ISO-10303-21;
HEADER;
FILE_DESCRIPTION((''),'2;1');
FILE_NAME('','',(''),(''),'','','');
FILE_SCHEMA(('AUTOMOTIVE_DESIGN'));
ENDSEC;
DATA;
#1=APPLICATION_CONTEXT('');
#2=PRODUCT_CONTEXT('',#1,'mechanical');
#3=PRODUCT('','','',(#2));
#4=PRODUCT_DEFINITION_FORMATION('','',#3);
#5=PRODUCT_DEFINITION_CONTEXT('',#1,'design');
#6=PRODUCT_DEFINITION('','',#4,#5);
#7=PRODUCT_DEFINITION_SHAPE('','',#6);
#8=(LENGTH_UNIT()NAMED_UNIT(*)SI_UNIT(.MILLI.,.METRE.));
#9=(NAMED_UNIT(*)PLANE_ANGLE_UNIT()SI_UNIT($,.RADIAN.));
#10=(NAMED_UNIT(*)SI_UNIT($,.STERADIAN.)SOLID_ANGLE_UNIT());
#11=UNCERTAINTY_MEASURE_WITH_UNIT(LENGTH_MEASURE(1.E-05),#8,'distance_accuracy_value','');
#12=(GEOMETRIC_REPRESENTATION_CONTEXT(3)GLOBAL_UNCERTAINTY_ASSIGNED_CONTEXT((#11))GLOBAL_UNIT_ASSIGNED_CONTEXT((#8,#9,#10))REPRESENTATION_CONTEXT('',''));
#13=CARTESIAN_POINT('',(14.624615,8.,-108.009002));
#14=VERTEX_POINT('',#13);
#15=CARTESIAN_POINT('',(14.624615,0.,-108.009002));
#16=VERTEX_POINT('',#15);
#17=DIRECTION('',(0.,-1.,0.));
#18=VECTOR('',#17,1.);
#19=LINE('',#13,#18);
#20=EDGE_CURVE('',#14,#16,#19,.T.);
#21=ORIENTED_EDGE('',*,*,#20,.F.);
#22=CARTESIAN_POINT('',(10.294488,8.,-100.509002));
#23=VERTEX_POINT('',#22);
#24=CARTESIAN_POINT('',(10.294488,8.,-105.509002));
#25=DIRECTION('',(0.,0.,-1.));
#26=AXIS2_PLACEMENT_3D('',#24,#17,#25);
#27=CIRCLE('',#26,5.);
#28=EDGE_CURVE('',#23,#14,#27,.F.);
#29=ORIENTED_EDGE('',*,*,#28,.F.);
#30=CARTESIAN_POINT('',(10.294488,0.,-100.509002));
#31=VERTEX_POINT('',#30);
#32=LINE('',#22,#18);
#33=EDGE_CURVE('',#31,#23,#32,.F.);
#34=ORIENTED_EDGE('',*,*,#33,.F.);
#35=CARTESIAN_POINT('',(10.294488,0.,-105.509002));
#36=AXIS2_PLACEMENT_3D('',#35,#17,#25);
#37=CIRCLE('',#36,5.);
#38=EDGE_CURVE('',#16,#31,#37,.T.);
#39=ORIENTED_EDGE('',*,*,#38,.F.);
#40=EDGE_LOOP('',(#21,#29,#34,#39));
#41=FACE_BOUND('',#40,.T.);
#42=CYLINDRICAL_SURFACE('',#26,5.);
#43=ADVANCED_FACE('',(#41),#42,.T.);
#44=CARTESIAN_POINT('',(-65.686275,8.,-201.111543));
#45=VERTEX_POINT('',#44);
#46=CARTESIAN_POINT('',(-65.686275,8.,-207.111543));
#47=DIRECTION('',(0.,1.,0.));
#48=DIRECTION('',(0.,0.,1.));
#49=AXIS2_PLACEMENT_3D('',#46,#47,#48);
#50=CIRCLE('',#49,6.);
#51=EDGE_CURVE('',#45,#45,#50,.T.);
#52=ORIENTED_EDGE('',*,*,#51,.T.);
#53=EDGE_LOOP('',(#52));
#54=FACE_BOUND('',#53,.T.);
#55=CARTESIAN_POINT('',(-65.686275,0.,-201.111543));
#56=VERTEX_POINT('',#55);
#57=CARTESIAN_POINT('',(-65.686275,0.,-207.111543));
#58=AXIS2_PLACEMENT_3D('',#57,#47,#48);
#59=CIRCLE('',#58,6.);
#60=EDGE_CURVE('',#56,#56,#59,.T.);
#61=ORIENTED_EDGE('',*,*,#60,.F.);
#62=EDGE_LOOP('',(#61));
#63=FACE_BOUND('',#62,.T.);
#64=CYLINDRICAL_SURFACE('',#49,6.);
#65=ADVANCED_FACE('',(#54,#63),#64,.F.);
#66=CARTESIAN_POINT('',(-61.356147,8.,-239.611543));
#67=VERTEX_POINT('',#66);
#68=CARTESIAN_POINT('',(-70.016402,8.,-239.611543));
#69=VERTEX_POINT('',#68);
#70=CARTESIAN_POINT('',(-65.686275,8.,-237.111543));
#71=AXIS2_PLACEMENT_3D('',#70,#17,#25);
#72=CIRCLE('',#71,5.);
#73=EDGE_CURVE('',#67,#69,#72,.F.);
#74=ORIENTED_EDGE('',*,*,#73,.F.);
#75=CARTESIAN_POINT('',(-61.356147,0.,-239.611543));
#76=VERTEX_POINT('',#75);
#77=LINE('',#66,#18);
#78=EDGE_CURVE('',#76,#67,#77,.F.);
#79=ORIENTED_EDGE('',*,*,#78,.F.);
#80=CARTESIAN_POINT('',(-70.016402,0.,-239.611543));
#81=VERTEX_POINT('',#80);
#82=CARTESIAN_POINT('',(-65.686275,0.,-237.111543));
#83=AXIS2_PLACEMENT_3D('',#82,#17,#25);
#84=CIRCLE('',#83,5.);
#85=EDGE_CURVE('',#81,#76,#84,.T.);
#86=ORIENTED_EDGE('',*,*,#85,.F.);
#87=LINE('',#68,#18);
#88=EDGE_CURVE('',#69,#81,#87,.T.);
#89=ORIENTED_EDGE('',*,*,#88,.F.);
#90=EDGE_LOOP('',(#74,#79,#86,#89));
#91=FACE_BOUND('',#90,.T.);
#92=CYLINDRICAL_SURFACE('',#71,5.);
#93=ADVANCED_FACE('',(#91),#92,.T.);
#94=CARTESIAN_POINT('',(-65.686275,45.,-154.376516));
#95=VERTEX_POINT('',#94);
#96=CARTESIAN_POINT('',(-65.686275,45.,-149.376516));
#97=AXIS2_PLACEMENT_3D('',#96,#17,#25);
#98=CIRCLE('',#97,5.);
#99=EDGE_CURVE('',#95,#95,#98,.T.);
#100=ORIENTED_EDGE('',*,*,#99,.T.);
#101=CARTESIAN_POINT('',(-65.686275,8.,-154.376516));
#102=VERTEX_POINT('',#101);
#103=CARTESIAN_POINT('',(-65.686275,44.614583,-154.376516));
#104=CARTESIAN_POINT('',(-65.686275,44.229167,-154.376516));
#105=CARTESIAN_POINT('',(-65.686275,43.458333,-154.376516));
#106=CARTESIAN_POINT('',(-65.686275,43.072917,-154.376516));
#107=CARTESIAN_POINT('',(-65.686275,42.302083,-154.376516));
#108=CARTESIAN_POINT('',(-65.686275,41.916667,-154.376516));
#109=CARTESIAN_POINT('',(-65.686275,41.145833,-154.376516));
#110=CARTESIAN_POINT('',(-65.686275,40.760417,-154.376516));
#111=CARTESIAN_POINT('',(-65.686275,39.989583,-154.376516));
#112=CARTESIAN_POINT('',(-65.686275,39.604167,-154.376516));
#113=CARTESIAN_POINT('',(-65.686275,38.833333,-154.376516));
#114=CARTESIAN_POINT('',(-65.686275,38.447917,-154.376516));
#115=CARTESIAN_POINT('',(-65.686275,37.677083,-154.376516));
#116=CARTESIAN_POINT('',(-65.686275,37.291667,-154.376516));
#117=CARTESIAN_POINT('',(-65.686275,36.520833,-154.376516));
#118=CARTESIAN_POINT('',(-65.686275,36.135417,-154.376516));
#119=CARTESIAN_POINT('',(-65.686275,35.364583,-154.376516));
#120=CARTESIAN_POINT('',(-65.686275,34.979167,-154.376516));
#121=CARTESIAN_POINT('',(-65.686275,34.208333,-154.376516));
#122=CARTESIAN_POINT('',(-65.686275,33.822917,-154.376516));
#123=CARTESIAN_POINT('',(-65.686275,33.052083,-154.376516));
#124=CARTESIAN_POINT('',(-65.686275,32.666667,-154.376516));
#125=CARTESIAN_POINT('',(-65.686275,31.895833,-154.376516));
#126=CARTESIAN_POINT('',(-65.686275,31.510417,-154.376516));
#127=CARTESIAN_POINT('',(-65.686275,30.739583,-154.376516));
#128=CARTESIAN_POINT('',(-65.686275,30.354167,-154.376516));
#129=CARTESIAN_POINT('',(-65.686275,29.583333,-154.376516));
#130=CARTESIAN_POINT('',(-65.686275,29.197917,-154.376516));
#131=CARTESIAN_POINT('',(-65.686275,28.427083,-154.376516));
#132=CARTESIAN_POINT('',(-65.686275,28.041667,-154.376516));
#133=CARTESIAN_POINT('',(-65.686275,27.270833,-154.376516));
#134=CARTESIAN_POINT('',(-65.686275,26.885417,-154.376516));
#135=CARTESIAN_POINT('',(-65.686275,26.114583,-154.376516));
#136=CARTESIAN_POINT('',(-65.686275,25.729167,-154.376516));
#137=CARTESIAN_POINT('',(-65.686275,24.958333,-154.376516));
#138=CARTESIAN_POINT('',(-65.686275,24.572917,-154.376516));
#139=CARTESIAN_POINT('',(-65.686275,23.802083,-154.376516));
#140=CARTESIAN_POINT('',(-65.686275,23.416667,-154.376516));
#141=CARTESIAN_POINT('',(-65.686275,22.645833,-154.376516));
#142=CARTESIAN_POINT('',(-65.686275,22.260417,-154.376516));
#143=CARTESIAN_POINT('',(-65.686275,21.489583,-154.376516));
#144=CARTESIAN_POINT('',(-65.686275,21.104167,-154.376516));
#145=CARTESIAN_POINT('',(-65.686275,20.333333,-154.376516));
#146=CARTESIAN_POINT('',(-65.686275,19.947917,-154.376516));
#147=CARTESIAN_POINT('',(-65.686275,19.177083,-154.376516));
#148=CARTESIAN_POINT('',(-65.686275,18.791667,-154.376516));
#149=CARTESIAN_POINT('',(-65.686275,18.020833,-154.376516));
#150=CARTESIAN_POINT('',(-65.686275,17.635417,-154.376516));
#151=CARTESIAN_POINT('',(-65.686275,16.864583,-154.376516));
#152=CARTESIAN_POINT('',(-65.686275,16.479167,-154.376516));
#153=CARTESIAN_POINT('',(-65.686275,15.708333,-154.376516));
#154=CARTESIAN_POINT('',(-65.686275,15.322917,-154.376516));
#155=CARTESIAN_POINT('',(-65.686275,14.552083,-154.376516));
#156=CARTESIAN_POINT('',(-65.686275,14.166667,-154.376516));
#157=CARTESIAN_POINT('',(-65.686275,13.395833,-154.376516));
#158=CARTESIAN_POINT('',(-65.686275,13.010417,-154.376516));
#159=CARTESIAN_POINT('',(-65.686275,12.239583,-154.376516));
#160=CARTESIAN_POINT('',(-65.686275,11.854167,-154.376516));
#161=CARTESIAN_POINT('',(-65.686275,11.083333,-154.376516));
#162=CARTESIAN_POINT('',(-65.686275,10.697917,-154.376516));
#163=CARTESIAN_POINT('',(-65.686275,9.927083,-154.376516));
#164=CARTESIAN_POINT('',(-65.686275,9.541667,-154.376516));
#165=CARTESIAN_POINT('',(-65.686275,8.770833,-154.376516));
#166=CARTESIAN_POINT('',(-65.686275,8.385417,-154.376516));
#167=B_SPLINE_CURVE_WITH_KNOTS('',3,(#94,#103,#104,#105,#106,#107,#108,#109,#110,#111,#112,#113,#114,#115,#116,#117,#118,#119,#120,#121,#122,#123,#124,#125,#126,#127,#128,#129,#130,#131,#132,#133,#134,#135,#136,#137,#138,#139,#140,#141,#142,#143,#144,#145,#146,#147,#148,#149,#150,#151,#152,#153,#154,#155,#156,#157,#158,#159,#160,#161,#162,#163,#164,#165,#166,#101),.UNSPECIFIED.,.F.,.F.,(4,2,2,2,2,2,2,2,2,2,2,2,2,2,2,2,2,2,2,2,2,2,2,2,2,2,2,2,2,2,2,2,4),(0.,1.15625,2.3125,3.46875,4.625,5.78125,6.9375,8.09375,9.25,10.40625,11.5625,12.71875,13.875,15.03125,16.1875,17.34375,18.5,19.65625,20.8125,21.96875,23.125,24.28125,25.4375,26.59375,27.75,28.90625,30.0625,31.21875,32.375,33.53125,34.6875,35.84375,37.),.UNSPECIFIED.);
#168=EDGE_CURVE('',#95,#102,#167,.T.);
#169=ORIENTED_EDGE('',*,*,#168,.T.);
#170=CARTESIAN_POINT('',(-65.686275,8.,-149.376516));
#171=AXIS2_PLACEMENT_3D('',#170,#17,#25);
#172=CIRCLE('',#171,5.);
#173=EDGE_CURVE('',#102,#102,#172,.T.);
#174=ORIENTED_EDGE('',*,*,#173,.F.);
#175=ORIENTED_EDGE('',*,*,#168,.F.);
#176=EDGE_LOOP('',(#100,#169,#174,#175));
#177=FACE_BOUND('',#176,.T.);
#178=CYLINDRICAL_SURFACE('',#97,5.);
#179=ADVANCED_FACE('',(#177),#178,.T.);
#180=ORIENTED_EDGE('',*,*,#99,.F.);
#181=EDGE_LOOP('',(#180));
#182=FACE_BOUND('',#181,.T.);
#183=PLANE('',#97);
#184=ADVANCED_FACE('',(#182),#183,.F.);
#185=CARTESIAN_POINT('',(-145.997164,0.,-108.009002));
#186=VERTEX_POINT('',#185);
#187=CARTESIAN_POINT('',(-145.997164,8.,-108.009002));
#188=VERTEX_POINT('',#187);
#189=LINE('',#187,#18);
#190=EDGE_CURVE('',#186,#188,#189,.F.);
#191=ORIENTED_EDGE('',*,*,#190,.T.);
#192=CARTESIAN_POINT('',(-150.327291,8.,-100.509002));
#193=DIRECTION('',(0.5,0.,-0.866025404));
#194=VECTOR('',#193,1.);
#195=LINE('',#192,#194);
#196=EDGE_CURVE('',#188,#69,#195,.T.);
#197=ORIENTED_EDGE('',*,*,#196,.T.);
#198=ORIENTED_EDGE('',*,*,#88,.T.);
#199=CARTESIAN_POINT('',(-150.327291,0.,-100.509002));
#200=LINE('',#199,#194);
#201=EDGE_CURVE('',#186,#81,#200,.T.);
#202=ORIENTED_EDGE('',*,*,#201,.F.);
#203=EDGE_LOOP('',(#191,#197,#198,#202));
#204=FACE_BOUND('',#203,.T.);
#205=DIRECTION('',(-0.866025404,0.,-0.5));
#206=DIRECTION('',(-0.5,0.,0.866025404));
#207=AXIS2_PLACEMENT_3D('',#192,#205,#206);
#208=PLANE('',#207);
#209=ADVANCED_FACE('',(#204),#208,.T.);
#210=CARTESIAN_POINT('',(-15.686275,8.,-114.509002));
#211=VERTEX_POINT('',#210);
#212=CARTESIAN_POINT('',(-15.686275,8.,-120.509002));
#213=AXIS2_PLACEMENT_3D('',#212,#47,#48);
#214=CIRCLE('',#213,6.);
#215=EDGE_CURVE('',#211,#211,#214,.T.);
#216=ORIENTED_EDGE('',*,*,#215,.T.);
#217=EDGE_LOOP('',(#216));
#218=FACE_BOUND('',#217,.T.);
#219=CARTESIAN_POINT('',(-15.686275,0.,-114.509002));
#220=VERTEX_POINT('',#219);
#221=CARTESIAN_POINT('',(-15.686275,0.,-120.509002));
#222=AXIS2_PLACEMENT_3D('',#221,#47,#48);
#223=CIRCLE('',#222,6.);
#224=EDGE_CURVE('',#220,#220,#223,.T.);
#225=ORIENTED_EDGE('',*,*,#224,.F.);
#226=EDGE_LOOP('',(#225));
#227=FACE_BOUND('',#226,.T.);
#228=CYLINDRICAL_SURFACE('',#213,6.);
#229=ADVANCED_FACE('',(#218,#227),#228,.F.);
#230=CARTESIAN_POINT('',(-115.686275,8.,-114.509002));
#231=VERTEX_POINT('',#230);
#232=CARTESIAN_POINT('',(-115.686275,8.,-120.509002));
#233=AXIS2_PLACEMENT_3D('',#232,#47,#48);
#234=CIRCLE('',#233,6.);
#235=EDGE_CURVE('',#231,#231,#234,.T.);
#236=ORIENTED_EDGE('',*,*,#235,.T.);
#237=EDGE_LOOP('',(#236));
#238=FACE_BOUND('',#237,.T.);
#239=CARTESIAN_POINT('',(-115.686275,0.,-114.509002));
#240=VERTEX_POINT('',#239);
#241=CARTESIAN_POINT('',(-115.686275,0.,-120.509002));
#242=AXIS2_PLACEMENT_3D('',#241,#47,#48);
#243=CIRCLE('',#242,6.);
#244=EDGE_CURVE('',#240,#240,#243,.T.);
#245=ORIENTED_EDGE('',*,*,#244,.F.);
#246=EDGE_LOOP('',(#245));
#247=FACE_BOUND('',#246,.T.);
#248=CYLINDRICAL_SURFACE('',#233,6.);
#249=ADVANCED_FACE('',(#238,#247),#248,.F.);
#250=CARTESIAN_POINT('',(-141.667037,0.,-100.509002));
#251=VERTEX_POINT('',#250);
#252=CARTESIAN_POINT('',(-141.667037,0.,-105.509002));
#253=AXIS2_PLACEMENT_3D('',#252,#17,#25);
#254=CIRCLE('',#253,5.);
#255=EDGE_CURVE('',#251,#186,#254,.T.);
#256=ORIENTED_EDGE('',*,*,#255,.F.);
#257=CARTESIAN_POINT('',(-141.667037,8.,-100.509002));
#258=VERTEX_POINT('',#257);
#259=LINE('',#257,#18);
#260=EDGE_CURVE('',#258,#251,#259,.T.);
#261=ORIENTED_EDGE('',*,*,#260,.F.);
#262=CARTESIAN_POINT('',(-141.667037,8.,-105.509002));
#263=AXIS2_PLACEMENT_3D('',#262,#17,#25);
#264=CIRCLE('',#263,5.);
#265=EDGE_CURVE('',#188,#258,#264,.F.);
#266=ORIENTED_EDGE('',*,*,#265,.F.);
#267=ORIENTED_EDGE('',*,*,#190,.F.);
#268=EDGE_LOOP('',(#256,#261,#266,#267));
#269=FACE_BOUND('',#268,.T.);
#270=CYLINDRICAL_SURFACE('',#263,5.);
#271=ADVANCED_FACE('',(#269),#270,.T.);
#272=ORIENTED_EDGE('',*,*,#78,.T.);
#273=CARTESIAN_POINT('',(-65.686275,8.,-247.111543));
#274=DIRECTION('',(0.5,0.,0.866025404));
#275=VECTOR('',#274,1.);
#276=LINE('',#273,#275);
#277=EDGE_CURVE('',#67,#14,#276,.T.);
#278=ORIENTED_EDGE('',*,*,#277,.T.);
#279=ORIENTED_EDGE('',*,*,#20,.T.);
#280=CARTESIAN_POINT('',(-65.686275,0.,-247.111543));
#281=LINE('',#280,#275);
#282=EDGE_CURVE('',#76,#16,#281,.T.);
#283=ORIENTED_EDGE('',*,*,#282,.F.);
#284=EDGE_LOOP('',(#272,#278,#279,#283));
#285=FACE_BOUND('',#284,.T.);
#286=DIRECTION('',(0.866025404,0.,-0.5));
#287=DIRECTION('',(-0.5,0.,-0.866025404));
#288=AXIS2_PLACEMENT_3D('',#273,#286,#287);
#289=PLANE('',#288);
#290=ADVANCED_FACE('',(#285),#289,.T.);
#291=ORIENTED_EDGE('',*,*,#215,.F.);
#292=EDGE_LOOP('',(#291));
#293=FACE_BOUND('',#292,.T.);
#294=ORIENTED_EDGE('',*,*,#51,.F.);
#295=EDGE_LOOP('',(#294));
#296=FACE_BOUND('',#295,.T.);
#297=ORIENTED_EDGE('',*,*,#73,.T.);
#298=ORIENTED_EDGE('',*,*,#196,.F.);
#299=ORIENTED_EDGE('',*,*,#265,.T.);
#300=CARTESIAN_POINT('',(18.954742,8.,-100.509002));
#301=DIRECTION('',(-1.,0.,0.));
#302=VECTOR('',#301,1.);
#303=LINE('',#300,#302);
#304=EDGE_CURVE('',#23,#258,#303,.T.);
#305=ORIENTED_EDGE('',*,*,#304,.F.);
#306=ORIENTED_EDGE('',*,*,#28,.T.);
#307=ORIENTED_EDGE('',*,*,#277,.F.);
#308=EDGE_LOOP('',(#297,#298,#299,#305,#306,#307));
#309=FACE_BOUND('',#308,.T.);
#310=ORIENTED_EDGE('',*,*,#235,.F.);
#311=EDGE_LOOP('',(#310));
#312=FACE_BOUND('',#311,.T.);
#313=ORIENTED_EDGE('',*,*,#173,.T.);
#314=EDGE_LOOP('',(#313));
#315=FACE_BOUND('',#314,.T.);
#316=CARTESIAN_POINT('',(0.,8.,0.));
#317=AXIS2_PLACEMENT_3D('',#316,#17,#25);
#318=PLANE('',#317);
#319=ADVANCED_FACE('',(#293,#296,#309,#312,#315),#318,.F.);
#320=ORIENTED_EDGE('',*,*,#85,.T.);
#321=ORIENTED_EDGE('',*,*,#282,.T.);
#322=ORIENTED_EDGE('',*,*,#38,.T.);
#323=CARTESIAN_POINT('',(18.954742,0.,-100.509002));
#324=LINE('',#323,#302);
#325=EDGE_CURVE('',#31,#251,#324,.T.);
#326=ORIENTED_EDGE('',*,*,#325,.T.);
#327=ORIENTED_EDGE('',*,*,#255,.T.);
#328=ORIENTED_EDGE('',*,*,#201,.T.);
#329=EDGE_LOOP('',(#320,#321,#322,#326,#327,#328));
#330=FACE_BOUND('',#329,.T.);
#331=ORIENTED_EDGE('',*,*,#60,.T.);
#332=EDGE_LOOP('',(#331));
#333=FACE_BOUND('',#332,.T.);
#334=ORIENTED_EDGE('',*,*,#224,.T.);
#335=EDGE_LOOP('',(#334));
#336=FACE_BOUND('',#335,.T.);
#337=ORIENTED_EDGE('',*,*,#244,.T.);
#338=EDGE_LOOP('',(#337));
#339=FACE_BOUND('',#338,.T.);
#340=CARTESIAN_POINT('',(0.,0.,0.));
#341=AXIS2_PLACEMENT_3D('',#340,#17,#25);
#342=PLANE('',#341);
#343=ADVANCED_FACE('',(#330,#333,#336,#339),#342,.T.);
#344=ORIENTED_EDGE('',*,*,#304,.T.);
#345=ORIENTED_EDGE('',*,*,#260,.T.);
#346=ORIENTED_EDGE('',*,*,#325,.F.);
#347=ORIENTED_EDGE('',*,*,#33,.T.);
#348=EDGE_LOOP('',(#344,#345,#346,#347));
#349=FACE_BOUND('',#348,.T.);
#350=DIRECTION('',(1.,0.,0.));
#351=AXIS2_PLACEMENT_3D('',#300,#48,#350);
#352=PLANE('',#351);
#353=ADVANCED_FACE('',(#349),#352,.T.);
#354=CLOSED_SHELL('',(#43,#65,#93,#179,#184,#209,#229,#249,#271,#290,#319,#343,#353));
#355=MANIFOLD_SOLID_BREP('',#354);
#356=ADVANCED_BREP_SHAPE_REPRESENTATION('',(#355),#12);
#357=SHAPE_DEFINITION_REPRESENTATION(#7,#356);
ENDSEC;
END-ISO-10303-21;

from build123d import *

# Parameters (mm, degrees)
BOSS_EXTRUDE1_DEPTH        = 8
F_12_0_12_DIAMETER_HOLE1_D = 12
SKETCH8_R                  = 5
BOSS_EXTRUDE2_DEPTH        = 45
FILLET1_R                  = 5


with BuildPart() as part:
    # Sketch1 → Boss-Extrude1 (new body)
    with BuildSketch(Plane(origin=(0, 0, 0), x_dir=(1, 0, 0), z_dir=(0, 1, 0))):
        Polygon((-65.68627451, 247.111542704), (18.954741642, 100.509002326), (-150.327290661, 100.509002326), align=None)
    extrude(amount=BOSS_EXTRUDE1_DEPTH)

    # Ø12.0 (12) Diameter Hole1 (through all)
    with Locations(Plane(origin=(0, 8, 0), x_dir=(1, 0, 0), z_dir=(0, 1, 0))):
        with Locations((-65.68627451, 207.111542704), (-115.68627451, 120.509002326), (-15.68627451, 120.509002326)):
            Hole(F_12_0_12_DIAMETER_HOLE1_D / 2)

    # Sketch8 → Boss-Extrude2 (add)
    with BuildSketch(Plane(origin=(0, 0, 0), x_dir=(-1, 0, 0), z_dir=(0, -1, 0))):
        with Locations(Location((65.68627451, 149.376515785, 0), (0, 0, 90))):
            Circle(SKETCH8_R)
    extrude(amount=-BOSS_EXTRUDE2_DEPTH)

    # Fillet1
    fillet1_edges = [part.edges().sort_by_distance(p)[0] for p in [
        (-150.327290661, 4, -100.509002326),
        (18.954741642, 4, -100.509002326),
        (-65.68627451, 4, -247.111542704),
    ]]
    fillet(fillet1_edges, radius=FILLET1_R)


solid = part.part
